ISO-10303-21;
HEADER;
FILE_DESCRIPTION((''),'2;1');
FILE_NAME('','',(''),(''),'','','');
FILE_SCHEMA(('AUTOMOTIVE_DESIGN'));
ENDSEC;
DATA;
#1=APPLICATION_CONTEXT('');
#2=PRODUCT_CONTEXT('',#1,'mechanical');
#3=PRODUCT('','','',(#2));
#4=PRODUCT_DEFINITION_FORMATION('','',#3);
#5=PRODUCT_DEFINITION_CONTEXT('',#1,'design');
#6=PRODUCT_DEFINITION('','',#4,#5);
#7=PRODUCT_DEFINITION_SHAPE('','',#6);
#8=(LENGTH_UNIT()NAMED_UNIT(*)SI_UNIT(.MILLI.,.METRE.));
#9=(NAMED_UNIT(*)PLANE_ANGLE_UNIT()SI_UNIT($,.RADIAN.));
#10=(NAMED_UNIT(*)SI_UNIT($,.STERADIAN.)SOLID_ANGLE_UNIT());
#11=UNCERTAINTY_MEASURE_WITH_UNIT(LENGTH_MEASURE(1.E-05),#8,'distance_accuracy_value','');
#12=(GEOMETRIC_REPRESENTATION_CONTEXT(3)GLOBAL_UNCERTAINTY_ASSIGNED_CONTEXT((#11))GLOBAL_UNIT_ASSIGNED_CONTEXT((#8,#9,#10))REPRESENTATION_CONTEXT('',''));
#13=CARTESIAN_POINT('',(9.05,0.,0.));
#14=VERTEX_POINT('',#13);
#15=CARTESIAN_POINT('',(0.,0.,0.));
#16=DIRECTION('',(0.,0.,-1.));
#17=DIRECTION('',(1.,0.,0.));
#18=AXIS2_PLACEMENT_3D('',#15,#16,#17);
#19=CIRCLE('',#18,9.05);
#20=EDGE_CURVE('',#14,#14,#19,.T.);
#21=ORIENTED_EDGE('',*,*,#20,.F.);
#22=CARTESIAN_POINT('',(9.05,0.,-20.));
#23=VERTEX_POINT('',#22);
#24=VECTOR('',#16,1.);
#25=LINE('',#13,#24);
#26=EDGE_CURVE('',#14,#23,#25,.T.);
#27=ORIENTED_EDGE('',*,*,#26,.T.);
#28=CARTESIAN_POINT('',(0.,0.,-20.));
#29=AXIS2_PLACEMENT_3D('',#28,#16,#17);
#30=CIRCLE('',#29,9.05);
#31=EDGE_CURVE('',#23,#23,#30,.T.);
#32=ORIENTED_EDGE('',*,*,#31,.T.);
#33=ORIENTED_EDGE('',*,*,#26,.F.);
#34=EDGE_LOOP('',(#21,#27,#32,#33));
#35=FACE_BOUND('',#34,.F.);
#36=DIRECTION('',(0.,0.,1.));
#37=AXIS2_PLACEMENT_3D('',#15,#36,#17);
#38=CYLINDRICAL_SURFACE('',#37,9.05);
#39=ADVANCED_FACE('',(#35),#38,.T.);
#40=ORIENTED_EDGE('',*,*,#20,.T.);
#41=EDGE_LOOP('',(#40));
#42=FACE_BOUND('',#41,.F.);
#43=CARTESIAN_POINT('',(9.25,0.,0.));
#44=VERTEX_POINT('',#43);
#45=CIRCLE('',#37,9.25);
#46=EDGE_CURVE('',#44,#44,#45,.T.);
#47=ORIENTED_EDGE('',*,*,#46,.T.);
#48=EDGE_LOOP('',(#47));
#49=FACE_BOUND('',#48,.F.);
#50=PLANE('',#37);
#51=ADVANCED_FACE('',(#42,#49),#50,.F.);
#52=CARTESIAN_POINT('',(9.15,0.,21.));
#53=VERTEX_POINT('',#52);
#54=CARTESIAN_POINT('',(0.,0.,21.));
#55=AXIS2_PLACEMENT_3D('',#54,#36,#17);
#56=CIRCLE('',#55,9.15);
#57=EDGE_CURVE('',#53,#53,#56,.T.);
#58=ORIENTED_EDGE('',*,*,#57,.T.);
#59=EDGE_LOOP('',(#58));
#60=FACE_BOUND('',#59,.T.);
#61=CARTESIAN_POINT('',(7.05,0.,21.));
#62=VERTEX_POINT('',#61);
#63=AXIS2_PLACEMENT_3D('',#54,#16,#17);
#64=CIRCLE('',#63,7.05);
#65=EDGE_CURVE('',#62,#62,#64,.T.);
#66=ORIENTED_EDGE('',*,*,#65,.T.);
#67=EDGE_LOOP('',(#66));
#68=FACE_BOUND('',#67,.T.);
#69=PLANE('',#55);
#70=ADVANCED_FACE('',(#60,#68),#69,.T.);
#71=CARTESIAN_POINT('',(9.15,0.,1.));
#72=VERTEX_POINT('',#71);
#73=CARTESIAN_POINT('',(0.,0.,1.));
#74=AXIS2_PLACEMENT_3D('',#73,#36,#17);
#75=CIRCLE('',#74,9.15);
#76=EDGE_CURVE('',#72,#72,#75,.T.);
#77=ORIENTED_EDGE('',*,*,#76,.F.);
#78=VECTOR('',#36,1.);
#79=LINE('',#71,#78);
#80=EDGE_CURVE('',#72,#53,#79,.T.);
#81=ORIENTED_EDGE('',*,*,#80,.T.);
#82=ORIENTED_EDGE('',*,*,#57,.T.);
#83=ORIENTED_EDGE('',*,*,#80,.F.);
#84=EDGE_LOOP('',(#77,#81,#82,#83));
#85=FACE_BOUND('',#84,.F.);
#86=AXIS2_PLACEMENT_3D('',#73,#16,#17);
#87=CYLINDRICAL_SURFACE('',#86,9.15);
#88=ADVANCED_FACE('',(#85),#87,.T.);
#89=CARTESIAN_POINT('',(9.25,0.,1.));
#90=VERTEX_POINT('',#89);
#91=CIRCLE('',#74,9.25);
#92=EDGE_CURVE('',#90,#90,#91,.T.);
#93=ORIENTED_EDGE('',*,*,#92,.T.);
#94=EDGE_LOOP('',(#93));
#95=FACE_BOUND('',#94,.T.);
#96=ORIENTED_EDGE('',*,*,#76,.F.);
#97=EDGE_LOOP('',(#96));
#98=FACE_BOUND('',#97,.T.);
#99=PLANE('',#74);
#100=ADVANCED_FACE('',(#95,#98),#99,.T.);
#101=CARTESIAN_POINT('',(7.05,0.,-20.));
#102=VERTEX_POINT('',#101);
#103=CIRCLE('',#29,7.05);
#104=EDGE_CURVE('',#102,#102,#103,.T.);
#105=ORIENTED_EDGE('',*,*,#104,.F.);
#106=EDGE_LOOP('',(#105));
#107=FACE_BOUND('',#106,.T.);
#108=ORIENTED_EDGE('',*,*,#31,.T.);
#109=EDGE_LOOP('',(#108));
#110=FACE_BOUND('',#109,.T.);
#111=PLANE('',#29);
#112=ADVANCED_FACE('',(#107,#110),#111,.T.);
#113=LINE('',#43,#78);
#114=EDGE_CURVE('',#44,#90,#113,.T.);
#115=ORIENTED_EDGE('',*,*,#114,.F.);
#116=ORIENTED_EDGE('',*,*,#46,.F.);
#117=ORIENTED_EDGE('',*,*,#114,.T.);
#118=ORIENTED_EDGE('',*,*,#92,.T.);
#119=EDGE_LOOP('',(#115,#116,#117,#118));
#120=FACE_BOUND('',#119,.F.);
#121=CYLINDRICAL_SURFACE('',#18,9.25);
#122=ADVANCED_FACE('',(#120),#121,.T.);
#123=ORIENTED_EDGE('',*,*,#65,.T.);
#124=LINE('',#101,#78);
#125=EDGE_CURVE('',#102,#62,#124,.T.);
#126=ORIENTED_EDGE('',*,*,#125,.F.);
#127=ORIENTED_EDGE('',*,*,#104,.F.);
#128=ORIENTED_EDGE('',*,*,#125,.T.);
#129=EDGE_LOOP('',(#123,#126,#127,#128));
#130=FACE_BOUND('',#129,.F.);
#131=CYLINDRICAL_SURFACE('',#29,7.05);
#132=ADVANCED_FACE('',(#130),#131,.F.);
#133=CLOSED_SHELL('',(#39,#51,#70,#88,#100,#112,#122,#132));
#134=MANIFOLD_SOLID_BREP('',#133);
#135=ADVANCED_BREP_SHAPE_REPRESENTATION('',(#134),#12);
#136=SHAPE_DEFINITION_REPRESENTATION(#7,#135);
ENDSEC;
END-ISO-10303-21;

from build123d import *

# Parameters (mm, degrees)
F0_R     = 9.25
F1_DEPTH = 1
F2_R     = 9.15
F3_DEPTH = 20
F4_R     = 9.05
F5_DEPTH = 20
F6_R     = 7.05
F7_DEPTH = 41.001


with BuildPart() as f1:
    # F0 (on Top) → F1 (new body)
    with BuildSketch(Plane.XY):
        Circle(F0_R)
    extrude(amount=F1_DEPTH)

    # F2 (on face) → F3 (join)
    with BuildSketch(Plane.XY.offset(1)):
        Circle(F2_R)
    extrude(amount=F3_DEPTH)

    # F4 (on face) → F5 (join)
    with BuildSketch(Plane(origin=(0, 0, 0), x_dir=(1, 0, 0), z_dir=(0, 0, -1))):
        Circle(F4_R)
    extrude(amount=F5_DEPTH)

    # F6 (on face) → F7 (cut, through all)
    with BuildSketch(Plane(origin=(0, 0, -20), x_dir=(1, 0, 0), z_dir=(0, 0, -1))):
        Circle(F6_R)
    extrude(amount=-F7_DEPTH, mode=Mode.SUBTRACT)


solid = f1.part
